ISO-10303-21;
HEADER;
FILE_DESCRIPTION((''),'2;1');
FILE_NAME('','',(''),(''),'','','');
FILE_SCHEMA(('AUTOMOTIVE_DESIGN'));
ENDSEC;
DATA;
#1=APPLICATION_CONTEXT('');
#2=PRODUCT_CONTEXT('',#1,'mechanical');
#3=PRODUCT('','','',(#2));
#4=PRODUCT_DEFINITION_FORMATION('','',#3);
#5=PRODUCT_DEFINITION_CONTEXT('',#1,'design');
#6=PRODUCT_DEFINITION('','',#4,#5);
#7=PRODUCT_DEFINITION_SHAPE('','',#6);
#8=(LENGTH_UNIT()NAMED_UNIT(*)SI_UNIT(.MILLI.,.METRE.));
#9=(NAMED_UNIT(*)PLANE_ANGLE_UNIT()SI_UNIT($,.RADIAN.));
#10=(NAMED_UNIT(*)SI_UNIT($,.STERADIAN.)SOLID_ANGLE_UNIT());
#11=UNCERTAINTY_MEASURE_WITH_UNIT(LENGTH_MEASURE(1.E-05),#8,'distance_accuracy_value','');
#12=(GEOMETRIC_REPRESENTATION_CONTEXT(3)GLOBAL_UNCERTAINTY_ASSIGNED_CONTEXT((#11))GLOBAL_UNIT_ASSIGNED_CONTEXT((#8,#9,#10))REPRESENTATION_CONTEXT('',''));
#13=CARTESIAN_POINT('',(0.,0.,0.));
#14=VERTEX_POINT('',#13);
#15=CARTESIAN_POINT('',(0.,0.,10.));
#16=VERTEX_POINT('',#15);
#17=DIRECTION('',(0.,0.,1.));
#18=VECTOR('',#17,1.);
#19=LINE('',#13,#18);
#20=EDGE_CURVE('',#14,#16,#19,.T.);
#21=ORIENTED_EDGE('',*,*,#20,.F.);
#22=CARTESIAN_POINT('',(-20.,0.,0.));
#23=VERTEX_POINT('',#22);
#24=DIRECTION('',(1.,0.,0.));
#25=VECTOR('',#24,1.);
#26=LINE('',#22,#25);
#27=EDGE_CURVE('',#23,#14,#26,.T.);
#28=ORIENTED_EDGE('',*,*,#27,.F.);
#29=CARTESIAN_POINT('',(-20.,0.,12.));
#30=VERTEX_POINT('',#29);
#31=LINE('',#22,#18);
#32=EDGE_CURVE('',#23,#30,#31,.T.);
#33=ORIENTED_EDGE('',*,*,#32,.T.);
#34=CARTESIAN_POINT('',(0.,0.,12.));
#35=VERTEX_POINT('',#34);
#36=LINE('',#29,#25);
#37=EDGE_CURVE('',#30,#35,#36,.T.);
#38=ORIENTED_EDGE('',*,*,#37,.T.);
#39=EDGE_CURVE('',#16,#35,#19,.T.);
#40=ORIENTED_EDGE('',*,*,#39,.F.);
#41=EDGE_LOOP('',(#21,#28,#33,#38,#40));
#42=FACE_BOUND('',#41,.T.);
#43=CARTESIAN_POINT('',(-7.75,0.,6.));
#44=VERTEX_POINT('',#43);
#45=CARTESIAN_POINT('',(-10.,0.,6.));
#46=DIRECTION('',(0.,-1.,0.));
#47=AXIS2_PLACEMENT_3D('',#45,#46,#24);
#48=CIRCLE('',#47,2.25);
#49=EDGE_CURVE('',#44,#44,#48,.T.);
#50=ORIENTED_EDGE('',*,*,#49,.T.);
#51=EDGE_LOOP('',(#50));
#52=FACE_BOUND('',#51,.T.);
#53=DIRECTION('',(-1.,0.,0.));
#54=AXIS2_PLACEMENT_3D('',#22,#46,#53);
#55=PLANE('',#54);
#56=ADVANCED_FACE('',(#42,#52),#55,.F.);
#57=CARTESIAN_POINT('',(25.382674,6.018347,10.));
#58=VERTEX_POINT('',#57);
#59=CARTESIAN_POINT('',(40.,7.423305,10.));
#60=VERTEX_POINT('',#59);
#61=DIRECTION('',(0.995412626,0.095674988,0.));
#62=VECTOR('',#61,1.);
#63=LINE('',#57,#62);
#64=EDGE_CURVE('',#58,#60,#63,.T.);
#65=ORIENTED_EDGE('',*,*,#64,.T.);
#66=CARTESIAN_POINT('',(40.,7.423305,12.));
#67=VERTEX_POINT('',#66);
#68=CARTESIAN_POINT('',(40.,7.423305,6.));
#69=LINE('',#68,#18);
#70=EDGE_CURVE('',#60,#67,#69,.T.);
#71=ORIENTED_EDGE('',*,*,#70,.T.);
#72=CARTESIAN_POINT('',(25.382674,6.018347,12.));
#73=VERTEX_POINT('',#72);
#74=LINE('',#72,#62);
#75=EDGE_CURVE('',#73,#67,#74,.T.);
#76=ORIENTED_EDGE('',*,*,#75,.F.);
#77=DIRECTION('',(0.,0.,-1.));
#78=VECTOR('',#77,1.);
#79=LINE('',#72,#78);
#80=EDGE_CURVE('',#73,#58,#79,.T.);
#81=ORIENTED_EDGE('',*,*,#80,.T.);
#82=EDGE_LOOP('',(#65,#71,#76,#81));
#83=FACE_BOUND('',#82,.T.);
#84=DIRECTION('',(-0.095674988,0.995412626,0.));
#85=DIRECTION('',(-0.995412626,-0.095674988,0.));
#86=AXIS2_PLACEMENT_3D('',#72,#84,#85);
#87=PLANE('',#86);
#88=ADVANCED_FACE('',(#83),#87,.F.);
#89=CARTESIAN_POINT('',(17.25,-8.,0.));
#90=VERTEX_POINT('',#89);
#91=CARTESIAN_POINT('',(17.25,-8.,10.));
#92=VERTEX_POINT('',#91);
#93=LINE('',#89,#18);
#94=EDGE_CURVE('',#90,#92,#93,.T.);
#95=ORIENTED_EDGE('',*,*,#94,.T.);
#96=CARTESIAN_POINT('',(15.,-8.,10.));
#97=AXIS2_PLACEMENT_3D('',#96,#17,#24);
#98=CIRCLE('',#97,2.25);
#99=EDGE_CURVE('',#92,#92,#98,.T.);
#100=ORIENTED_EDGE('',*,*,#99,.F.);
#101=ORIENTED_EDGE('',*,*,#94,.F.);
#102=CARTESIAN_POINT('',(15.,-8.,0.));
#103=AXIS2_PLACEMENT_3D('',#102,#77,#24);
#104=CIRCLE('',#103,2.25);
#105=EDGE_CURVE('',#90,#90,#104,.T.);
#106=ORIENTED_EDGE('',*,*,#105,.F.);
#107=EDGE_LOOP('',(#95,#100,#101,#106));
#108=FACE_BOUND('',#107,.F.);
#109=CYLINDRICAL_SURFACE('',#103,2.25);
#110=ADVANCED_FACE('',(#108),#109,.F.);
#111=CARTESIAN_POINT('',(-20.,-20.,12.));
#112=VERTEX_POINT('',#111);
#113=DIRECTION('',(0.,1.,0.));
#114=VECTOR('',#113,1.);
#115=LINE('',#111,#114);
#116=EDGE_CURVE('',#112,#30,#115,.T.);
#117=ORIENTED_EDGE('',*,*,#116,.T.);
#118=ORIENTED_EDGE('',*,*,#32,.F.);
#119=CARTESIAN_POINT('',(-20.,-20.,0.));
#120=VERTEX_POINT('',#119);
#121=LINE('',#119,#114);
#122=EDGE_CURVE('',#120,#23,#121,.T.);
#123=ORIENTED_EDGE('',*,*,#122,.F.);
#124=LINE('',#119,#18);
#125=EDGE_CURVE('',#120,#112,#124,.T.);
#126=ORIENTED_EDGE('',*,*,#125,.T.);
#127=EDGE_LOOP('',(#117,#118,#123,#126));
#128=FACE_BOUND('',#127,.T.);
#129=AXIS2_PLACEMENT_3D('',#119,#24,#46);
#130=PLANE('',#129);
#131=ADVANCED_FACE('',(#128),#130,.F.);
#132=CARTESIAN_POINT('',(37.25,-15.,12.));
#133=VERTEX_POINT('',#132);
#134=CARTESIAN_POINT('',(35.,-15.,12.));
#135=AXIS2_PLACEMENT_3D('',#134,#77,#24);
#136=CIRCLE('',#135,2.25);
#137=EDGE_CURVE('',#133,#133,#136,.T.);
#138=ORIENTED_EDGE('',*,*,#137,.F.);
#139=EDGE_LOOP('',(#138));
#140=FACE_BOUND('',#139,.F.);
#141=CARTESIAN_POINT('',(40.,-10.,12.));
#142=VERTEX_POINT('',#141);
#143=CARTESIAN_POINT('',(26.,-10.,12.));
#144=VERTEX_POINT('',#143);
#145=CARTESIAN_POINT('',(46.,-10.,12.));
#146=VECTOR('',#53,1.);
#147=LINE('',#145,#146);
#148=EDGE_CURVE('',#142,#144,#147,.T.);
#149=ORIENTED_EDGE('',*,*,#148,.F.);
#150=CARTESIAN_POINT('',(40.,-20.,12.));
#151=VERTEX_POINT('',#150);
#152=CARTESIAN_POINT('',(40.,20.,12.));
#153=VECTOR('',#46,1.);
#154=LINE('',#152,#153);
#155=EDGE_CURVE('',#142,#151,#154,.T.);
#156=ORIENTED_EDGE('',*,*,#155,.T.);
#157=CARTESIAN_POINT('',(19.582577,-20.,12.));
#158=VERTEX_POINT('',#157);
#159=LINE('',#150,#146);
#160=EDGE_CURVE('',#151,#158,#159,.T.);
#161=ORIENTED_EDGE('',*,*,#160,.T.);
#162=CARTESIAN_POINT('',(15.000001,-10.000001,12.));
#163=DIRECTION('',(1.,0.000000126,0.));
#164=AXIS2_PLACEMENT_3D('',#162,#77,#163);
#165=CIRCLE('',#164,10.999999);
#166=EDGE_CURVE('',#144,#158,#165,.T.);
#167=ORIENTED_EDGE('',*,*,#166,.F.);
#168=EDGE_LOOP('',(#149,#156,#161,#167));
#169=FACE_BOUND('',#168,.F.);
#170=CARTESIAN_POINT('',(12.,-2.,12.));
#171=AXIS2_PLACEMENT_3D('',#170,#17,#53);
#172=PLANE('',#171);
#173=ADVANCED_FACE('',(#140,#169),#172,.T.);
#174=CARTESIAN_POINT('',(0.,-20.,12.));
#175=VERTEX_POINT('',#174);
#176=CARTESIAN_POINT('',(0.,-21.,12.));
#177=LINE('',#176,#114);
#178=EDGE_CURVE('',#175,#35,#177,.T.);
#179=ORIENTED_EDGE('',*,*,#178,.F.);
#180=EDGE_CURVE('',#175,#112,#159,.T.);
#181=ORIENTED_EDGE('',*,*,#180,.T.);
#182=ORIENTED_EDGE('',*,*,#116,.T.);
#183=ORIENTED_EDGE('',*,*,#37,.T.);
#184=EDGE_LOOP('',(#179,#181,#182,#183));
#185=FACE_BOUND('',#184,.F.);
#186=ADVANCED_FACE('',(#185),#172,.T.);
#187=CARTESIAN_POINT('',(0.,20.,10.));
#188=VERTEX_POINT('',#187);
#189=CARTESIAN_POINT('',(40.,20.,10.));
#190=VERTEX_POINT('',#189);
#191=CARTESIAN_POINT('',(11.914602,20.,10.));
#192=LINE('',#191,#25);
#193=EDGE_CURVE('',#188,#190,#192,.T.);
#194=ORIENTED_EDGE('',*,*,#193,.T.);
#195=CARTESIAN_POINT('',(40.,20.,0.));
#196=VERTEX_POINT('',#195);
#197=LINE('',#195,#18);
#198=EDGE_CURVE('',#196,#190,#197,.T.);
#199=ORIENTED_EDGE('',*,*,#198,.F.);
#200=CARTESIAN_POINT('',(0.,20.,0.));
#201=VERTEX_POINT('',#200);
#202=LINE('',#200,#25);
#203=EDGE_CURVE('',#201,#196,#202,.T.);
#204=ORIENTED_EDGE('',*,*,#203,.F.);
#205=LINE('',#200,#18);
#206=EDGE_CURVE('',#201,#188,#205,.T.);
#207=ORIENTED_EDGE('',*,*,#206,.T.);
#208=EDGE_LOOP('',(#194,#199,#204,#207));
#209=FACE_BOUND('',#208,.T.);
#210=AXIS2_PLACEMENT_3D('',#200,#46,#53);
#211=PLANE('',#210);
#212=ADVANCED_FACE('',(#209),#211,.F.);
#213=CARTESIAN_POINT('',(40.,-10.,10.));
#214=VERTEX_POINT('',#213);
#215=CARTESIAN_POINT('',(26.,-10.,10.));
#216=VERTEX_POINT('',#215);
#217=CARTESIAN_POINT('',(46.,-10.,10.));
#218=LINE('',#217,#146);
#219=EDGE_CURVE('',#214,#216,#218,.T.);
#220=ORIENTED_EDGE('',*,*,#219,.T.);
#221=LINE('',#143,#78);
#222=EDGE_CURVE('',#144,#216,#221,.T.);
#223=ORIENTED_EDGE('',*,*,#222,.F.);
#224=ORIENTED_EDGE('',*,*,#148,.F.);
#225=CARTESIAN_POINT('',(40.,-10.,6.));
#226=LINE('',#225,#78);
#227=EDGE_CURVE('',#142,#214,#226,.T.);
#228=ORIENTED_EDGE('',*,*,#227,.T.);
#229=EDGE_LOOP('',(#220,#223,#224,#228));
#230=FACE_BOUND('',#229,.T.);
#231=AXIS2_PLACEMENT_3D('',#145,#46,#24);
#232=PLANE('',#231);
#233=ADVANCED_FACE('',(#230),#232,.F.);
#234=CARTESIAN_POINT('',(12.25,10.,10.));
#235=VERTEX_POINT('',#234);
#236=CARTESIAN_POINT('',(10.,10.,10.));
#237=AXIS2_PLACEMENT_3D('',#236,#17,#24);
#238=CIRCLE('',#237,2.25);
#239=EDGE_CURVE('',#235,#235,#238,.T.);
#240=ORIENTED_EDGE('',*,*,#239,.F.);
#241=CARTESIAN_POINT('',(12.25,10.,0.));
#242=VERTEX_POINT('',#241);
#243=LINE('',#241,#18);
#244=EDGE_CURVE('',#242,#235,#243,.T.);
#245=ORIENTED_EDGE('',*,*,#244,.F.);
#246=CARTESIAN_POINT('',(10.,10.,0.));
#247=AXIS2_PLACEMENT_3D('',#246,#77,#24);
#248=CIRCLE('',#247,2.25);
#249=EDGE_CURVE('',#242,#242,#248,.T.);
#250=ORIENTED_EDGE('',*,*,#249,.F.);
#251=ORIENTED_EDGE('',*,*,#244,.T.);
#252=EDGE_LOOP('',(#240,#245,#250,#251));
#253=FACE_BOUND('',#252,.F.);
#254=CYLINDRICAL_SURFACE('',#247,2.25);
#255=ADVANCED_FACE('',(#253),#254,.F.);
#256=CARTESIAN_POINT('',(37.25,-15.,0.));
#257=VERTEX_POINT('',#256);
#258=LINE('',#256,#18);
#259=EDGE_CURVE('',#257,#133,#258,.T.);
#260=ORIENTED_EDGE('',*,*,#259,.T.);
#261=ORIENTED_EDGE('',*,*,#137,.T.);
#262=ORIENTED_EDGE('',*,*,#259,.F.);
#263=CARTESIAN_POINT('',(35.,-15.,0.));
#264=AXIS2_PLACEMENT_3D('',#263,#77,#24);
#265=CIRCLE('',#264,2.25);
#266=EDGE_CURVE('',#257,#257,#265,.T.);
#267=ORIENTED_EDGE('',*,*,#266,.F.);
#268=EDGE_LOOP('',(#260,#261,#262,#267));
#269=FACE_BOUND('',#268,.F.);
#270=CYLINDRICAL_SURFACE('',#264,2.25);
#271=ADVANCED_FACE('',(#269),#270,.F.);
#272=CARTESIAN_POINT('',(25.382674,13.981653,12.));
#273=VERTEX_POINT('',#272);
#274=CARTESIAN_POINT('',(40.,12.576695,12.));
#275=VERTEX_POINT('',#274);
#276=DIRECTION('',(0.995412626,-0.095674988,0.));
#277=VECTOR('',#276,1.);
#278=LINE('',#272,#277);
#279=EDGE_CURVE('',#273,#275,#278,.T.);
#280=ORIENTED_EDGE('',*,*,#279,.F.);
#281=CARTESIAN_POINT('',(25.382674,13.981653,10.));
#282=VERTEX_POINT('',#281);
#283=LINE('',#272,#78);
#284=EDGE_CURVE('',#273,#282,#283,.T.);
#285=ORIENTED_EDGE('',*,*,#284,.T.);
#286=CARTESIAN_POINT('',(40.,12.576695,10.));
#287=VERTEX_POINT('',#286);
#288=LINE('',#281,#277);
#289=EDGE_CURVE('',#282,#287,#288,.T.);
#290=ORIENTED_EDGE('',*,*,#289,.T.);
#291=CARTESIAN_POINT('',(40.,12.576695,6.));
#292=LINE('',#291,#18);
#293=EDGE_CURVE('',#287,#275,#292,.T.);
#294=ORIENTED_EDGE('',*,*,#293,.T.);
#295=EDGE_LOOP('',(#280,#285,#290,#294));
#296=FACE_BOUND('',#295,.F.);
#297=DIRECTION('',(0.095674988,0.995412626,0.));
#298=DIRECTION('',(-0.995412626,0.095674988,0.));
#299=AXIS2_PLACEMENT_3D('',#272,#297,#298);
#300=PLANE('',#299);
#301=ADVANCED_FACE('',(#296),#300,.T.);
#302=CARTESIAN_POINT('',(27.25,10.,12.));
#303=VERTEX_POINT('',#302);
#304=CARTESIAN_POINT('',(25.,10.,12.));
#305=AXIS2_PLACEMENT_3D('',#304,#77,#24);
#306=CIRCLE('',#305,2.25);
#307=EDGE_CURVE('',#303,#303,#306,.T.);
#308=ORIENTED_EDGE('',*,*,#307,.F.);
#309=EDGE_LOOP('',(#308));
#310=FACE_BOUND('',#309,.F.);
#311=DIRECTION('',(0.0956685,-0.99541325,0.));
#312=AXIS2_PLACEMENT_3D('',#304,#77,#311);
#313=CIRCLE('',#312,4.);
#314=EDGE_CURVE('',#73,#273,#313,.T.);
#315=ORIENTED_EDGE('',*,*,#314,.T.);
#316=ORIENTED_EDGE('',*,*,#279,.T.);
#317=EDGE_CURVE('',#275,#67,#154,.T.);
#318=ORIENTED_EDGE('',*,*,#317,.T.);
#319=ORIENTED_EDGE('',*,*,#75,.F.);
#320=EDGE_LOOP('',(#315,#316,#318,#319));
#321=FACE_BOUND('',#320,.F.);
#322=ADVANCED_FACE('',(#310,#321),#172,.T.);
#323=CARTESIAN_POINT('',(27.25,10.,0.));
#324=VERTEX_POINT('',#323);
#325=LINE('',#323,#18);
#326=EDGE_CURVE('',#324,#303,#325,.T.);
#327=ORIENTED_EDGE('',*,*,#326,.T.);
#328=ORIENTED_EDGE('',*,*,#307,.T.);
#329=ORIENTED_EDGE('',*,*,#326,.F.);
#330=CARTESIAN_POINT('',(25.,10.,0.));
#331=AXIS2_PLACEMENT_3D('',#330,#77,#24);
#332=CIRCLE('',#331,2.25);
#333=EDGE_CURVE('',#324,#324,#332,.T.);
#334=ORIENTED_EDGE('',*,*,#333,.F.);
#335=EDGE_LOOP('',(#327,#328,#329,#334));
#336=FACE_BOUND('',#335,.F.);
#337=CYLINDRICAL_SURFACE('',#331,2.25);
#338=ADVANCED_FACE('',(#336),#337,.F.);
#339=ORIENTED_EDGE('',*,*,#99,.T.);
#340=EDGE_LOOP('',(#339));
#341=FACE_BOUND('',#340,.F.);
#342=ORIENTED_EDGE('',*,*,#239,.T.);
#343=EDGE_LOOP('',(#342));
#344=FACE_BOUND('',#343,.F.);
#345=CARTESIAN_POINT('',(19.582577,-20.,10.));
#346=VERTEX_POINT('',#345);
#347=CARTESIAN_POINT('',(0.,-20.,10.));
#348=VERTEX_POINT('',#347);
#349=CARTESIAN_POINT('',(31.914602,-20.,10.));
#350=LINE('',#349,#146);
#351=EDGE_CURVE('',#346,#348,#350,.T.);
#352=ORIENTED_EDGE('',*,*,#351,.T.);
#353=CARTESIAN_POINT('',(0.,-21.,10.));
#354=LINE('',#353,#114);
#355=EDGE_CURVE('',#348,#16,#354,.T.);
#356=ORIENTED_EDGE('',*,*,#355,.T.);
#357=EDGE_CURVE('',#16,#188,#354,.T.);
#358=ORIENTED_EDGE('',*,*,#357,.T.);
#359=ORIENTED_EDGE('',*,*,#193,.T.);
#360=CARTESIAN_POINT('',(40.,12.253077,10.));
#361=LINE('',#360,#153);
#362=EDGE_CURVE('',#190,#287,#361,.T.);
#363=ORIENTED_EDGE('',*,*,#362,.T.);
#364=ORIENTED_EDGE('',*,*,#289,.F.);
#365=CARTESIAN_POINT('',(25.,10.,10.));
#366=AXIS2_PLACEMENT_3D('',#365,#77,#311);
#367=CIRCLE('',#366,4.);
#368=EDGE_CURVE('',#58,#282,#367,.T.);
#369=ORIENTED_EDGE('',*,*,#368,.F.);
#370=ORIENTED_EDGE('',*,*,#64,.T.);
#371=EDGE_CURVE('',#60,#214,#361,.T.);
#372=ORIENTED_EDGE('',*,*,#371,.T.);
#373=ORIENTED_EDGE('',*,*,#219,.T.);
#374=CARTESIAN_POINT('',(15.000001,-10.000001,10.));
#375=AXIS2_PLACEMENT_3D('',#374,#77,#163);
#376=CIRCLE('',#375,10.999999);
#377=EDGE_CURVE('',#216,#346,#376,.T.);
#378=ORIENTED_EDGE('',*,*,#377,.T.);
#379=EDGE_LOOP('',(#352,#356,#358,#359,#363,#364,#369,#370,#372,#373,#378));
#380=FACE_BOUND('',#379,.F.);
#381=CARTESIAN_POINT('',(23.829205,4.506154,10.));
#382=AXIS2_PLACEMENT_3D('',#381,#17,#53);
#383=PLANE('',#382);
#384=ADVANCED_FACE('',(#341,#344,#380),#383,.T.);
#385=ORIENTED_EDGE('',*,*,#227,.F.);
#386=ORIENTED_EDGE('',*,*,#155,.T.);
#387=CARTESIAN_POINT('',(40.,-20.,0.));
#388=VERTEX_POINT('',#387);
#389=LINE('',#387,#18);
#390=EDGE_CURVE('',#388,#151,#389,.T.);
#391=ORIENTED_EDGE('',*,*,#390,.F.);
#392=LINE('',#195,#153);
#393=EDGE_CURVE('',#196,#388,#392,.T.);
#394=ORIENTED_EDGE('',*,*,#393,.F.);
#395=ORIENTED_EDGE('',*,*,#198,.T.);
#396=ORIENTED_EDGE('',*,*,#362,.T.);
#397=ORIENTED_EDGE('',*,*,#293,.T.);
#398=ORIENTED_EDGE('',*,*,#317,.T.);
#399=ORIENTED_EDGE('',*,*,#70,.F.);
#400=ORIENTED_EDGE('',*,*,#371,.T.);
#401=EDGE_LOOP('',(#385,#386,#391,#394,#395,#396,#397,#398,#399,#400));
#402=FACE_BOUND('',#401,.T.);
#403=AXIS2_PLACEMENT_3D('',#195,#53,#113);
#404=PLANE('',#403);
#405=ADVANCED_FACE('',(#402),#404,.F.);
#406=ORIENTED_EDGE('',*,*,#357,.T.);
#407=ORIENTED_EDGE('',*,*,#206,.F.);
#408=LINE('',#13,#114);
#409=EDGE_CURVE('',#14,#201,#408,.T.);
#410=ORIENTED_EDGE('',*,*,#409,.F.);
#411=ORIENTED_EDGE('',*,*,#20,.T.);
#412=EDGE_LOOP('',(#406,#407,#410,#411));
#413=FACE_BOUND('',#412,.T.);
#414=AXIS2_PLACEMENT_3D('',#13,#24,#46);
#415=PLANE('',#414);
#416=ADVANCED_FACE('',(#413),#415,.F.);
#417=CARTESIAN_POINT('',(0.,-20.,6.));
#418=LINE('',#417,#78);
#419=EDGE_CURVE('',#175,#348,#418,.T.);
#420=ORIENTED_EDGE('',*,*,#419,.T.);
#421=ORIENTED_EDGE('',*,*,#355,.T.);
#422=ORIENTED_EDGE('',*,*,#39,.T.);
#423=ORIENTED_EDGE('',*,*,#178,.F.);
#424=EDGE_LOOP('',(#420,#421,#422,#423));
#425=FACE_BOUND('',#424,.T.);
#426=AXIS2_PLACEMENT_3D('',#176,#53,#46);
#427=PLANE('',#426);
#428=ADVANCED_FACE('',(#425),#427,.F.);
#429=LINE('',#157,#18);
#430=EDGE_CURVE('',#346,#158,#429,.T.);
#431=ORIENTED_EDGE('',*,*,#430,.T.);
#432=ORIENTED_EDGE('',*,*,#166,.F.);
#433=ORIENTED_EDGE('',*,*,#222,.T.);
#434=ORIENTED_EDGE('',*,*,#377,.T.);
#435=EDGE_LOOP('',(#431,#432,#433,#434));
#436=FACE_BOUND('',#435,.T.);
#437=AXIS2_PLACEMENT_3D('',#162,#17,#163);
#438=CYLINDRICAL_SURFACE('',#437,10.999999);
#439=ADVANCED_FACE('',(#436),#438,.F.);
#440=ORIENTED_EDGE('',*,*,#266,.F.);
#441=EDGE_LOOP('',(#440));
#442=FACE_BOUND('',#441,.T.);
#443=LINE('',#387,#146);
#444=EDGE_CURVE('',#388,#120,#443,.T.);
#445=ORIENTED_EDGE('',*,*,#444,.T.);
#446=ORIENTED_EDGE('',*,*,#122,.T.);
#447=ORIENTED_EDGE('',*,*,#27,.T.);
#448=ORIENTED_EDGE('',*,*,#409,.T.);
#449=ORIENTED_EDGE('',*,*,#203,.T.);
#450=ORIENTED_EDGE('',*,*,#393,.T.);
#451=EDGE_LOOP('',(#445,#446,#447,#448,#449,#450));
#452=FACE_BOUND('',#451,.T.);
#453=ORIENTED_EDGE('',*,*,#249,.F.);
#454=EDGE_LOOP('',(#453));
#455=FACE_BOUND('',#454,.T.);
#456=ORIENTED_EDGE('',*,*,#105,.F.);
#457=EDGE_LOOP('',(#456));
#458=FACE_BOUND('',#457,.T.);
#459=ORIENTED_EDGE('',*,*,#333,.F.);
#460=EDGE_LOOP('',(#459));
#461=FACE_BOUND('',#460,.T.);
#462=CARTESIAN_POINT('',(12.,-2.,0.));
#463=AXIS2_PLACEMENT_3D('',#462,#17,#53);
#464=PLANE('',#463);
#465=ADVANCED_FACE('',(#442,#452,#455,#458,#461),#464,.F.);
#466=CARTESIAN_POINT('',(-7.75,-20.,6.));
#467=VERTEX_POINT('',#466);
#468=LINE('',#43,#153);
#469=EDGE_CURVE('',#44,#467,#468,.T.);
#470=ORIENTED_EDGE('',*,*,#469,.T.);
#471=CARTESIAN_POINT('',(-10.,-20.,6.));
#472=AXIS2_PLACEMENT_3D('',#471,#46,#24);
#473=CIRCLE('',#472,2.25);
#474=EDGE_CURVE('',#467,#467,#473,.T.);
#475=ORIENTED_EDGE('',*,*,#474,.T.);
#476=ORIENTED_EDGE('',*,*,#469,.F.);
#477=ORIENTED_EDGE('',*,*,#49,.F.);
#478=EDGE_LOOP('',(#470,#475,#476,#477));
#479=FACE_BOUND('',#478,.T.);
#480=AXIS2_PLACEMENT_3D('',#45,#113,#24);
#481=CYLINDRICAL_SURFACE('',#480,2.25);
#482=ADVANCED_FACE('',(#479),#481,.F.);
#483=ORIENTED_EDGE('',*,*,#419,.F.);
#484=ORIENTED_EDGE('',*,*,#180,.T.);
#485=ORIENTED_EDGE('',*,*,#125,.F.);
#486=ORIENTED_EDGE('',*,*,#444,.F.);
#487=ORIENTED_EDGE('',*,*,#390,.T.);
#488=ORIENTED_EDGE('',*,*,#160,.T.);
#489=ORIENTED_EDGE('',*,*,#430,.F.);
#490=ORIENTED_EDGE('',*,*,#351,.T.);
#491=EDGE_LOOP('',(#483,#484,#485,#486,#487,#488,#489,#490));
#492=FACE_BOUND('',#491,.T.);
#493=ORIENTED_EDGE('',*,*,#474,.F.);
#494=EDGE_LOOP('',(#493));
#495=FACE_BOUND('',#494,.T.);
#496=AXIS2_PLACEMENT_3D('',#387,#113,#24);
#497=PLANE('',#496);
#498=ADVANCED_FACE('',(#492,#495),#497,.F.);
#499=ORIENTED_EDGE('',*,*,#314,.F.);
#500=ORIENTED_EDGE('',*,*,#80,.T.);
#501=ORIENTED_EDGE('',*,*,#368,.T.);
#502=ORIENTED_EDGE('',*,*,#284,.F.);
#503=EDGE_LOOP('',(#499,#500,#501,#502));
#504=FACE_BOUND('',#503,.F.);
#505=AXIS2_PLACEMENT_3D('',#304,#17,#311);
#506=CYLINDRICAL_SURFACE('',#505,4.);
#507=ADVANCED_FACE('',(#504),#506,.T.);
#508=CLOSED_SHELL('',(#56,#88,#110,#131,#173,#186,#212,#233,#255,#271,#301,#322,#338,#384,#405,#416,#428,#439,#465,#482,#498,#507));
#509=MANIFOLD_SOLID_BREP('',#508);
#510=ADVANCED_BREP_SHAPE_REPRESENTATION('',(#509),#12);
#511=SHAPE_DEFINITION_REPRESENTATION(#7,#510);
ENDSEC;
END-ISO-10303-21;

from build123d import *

# Parameters (mm, degrees)
SKETCH_R                       = 2.25
PAD_DEPTH                      = 12
POCKET_DEPTH                   = 2
SKETCH002_R                    = 2.25
POCKET002_DEPTH                = 20.001
PART_MIRRORING_PLACEMENT_ANGLE = 180


with BuildPart() as pocket002:
    # Sketch → Pad (new body)
    with BuildSketch(Plane.XY):
        Polygon((0, -20), (40, -20), (40, 20), (-20, 20), (-20, 0), (0, 0), align=None)
        with Locations((15, 8)):
            Circle(SKETCH_R, mode=Mode.SUBTRACT)
        with Locations((10, -10)):
            Circle(SKETCH_R, mode=Mode.SUBTRACT)
        with Locations((35, 15)):
            Circle(SKETCH_R, mode=Mode.SUBTRACT)
        with Locations((25, -10)):
            Circle(SKETCH_R, mode=Mode.SUBTRACT)
    extrude(amount=PAD_DEPTH)

    # Sketch001 → Pocket (cut)
    with BuildSketch(Plane.XY.offset(12)):
        with BuildLine():
            Line((46, 10), (26, 10))
            ThreePointArc((26, 10), (22.778175, 17.778175), (15, 21))
            Line((15, 21), (0, 21))
            Line((0, 21), (0, -23))
            Line((0, -23), (46, -23))
            Line((46, -23), (46, -12))
            Line((25.382674, -13.981653), (46, -12))
            ThreePointArc((25.382674, -6.018347), (21, -10), (25.382674, -13.981653))
            Line((25.382674, -6.018347), (46, -8))
            Line((46, -8), (46, 10))
        make_face()
    extrude(amount=-POCKET_DEPTH, mode=Mode.SUBTRACT)

    # Sketch002 → Pocket002 (cut, through all)
    with BuildSketch(Plane.XZ):
        with Locations((-10, 6)):
            Circle(SKETCH002_R)
    extrude(amount=-POCKET002_DEPTH, mode=Mode.SUBTRACT)


with BuildPart() as idler_block_top:
    # Part__Mirroring: instance of Pocket002
    add(pocket002.part.mirror(Plane(origin=(0, 0, 0), x_dir=(0, 1, 0), z_dir=(0, 0, 1))))


with BuildPart() as idler_block_top_1:
    # Part__Mirroring placement: moved
    add(idler_block_top.part.rotate(Axis((0, 0, 0), (1, 0, 0)), PART_MIRRORING_PLACEMENT_ANGLE))


solid = idler_block_top_1.part
